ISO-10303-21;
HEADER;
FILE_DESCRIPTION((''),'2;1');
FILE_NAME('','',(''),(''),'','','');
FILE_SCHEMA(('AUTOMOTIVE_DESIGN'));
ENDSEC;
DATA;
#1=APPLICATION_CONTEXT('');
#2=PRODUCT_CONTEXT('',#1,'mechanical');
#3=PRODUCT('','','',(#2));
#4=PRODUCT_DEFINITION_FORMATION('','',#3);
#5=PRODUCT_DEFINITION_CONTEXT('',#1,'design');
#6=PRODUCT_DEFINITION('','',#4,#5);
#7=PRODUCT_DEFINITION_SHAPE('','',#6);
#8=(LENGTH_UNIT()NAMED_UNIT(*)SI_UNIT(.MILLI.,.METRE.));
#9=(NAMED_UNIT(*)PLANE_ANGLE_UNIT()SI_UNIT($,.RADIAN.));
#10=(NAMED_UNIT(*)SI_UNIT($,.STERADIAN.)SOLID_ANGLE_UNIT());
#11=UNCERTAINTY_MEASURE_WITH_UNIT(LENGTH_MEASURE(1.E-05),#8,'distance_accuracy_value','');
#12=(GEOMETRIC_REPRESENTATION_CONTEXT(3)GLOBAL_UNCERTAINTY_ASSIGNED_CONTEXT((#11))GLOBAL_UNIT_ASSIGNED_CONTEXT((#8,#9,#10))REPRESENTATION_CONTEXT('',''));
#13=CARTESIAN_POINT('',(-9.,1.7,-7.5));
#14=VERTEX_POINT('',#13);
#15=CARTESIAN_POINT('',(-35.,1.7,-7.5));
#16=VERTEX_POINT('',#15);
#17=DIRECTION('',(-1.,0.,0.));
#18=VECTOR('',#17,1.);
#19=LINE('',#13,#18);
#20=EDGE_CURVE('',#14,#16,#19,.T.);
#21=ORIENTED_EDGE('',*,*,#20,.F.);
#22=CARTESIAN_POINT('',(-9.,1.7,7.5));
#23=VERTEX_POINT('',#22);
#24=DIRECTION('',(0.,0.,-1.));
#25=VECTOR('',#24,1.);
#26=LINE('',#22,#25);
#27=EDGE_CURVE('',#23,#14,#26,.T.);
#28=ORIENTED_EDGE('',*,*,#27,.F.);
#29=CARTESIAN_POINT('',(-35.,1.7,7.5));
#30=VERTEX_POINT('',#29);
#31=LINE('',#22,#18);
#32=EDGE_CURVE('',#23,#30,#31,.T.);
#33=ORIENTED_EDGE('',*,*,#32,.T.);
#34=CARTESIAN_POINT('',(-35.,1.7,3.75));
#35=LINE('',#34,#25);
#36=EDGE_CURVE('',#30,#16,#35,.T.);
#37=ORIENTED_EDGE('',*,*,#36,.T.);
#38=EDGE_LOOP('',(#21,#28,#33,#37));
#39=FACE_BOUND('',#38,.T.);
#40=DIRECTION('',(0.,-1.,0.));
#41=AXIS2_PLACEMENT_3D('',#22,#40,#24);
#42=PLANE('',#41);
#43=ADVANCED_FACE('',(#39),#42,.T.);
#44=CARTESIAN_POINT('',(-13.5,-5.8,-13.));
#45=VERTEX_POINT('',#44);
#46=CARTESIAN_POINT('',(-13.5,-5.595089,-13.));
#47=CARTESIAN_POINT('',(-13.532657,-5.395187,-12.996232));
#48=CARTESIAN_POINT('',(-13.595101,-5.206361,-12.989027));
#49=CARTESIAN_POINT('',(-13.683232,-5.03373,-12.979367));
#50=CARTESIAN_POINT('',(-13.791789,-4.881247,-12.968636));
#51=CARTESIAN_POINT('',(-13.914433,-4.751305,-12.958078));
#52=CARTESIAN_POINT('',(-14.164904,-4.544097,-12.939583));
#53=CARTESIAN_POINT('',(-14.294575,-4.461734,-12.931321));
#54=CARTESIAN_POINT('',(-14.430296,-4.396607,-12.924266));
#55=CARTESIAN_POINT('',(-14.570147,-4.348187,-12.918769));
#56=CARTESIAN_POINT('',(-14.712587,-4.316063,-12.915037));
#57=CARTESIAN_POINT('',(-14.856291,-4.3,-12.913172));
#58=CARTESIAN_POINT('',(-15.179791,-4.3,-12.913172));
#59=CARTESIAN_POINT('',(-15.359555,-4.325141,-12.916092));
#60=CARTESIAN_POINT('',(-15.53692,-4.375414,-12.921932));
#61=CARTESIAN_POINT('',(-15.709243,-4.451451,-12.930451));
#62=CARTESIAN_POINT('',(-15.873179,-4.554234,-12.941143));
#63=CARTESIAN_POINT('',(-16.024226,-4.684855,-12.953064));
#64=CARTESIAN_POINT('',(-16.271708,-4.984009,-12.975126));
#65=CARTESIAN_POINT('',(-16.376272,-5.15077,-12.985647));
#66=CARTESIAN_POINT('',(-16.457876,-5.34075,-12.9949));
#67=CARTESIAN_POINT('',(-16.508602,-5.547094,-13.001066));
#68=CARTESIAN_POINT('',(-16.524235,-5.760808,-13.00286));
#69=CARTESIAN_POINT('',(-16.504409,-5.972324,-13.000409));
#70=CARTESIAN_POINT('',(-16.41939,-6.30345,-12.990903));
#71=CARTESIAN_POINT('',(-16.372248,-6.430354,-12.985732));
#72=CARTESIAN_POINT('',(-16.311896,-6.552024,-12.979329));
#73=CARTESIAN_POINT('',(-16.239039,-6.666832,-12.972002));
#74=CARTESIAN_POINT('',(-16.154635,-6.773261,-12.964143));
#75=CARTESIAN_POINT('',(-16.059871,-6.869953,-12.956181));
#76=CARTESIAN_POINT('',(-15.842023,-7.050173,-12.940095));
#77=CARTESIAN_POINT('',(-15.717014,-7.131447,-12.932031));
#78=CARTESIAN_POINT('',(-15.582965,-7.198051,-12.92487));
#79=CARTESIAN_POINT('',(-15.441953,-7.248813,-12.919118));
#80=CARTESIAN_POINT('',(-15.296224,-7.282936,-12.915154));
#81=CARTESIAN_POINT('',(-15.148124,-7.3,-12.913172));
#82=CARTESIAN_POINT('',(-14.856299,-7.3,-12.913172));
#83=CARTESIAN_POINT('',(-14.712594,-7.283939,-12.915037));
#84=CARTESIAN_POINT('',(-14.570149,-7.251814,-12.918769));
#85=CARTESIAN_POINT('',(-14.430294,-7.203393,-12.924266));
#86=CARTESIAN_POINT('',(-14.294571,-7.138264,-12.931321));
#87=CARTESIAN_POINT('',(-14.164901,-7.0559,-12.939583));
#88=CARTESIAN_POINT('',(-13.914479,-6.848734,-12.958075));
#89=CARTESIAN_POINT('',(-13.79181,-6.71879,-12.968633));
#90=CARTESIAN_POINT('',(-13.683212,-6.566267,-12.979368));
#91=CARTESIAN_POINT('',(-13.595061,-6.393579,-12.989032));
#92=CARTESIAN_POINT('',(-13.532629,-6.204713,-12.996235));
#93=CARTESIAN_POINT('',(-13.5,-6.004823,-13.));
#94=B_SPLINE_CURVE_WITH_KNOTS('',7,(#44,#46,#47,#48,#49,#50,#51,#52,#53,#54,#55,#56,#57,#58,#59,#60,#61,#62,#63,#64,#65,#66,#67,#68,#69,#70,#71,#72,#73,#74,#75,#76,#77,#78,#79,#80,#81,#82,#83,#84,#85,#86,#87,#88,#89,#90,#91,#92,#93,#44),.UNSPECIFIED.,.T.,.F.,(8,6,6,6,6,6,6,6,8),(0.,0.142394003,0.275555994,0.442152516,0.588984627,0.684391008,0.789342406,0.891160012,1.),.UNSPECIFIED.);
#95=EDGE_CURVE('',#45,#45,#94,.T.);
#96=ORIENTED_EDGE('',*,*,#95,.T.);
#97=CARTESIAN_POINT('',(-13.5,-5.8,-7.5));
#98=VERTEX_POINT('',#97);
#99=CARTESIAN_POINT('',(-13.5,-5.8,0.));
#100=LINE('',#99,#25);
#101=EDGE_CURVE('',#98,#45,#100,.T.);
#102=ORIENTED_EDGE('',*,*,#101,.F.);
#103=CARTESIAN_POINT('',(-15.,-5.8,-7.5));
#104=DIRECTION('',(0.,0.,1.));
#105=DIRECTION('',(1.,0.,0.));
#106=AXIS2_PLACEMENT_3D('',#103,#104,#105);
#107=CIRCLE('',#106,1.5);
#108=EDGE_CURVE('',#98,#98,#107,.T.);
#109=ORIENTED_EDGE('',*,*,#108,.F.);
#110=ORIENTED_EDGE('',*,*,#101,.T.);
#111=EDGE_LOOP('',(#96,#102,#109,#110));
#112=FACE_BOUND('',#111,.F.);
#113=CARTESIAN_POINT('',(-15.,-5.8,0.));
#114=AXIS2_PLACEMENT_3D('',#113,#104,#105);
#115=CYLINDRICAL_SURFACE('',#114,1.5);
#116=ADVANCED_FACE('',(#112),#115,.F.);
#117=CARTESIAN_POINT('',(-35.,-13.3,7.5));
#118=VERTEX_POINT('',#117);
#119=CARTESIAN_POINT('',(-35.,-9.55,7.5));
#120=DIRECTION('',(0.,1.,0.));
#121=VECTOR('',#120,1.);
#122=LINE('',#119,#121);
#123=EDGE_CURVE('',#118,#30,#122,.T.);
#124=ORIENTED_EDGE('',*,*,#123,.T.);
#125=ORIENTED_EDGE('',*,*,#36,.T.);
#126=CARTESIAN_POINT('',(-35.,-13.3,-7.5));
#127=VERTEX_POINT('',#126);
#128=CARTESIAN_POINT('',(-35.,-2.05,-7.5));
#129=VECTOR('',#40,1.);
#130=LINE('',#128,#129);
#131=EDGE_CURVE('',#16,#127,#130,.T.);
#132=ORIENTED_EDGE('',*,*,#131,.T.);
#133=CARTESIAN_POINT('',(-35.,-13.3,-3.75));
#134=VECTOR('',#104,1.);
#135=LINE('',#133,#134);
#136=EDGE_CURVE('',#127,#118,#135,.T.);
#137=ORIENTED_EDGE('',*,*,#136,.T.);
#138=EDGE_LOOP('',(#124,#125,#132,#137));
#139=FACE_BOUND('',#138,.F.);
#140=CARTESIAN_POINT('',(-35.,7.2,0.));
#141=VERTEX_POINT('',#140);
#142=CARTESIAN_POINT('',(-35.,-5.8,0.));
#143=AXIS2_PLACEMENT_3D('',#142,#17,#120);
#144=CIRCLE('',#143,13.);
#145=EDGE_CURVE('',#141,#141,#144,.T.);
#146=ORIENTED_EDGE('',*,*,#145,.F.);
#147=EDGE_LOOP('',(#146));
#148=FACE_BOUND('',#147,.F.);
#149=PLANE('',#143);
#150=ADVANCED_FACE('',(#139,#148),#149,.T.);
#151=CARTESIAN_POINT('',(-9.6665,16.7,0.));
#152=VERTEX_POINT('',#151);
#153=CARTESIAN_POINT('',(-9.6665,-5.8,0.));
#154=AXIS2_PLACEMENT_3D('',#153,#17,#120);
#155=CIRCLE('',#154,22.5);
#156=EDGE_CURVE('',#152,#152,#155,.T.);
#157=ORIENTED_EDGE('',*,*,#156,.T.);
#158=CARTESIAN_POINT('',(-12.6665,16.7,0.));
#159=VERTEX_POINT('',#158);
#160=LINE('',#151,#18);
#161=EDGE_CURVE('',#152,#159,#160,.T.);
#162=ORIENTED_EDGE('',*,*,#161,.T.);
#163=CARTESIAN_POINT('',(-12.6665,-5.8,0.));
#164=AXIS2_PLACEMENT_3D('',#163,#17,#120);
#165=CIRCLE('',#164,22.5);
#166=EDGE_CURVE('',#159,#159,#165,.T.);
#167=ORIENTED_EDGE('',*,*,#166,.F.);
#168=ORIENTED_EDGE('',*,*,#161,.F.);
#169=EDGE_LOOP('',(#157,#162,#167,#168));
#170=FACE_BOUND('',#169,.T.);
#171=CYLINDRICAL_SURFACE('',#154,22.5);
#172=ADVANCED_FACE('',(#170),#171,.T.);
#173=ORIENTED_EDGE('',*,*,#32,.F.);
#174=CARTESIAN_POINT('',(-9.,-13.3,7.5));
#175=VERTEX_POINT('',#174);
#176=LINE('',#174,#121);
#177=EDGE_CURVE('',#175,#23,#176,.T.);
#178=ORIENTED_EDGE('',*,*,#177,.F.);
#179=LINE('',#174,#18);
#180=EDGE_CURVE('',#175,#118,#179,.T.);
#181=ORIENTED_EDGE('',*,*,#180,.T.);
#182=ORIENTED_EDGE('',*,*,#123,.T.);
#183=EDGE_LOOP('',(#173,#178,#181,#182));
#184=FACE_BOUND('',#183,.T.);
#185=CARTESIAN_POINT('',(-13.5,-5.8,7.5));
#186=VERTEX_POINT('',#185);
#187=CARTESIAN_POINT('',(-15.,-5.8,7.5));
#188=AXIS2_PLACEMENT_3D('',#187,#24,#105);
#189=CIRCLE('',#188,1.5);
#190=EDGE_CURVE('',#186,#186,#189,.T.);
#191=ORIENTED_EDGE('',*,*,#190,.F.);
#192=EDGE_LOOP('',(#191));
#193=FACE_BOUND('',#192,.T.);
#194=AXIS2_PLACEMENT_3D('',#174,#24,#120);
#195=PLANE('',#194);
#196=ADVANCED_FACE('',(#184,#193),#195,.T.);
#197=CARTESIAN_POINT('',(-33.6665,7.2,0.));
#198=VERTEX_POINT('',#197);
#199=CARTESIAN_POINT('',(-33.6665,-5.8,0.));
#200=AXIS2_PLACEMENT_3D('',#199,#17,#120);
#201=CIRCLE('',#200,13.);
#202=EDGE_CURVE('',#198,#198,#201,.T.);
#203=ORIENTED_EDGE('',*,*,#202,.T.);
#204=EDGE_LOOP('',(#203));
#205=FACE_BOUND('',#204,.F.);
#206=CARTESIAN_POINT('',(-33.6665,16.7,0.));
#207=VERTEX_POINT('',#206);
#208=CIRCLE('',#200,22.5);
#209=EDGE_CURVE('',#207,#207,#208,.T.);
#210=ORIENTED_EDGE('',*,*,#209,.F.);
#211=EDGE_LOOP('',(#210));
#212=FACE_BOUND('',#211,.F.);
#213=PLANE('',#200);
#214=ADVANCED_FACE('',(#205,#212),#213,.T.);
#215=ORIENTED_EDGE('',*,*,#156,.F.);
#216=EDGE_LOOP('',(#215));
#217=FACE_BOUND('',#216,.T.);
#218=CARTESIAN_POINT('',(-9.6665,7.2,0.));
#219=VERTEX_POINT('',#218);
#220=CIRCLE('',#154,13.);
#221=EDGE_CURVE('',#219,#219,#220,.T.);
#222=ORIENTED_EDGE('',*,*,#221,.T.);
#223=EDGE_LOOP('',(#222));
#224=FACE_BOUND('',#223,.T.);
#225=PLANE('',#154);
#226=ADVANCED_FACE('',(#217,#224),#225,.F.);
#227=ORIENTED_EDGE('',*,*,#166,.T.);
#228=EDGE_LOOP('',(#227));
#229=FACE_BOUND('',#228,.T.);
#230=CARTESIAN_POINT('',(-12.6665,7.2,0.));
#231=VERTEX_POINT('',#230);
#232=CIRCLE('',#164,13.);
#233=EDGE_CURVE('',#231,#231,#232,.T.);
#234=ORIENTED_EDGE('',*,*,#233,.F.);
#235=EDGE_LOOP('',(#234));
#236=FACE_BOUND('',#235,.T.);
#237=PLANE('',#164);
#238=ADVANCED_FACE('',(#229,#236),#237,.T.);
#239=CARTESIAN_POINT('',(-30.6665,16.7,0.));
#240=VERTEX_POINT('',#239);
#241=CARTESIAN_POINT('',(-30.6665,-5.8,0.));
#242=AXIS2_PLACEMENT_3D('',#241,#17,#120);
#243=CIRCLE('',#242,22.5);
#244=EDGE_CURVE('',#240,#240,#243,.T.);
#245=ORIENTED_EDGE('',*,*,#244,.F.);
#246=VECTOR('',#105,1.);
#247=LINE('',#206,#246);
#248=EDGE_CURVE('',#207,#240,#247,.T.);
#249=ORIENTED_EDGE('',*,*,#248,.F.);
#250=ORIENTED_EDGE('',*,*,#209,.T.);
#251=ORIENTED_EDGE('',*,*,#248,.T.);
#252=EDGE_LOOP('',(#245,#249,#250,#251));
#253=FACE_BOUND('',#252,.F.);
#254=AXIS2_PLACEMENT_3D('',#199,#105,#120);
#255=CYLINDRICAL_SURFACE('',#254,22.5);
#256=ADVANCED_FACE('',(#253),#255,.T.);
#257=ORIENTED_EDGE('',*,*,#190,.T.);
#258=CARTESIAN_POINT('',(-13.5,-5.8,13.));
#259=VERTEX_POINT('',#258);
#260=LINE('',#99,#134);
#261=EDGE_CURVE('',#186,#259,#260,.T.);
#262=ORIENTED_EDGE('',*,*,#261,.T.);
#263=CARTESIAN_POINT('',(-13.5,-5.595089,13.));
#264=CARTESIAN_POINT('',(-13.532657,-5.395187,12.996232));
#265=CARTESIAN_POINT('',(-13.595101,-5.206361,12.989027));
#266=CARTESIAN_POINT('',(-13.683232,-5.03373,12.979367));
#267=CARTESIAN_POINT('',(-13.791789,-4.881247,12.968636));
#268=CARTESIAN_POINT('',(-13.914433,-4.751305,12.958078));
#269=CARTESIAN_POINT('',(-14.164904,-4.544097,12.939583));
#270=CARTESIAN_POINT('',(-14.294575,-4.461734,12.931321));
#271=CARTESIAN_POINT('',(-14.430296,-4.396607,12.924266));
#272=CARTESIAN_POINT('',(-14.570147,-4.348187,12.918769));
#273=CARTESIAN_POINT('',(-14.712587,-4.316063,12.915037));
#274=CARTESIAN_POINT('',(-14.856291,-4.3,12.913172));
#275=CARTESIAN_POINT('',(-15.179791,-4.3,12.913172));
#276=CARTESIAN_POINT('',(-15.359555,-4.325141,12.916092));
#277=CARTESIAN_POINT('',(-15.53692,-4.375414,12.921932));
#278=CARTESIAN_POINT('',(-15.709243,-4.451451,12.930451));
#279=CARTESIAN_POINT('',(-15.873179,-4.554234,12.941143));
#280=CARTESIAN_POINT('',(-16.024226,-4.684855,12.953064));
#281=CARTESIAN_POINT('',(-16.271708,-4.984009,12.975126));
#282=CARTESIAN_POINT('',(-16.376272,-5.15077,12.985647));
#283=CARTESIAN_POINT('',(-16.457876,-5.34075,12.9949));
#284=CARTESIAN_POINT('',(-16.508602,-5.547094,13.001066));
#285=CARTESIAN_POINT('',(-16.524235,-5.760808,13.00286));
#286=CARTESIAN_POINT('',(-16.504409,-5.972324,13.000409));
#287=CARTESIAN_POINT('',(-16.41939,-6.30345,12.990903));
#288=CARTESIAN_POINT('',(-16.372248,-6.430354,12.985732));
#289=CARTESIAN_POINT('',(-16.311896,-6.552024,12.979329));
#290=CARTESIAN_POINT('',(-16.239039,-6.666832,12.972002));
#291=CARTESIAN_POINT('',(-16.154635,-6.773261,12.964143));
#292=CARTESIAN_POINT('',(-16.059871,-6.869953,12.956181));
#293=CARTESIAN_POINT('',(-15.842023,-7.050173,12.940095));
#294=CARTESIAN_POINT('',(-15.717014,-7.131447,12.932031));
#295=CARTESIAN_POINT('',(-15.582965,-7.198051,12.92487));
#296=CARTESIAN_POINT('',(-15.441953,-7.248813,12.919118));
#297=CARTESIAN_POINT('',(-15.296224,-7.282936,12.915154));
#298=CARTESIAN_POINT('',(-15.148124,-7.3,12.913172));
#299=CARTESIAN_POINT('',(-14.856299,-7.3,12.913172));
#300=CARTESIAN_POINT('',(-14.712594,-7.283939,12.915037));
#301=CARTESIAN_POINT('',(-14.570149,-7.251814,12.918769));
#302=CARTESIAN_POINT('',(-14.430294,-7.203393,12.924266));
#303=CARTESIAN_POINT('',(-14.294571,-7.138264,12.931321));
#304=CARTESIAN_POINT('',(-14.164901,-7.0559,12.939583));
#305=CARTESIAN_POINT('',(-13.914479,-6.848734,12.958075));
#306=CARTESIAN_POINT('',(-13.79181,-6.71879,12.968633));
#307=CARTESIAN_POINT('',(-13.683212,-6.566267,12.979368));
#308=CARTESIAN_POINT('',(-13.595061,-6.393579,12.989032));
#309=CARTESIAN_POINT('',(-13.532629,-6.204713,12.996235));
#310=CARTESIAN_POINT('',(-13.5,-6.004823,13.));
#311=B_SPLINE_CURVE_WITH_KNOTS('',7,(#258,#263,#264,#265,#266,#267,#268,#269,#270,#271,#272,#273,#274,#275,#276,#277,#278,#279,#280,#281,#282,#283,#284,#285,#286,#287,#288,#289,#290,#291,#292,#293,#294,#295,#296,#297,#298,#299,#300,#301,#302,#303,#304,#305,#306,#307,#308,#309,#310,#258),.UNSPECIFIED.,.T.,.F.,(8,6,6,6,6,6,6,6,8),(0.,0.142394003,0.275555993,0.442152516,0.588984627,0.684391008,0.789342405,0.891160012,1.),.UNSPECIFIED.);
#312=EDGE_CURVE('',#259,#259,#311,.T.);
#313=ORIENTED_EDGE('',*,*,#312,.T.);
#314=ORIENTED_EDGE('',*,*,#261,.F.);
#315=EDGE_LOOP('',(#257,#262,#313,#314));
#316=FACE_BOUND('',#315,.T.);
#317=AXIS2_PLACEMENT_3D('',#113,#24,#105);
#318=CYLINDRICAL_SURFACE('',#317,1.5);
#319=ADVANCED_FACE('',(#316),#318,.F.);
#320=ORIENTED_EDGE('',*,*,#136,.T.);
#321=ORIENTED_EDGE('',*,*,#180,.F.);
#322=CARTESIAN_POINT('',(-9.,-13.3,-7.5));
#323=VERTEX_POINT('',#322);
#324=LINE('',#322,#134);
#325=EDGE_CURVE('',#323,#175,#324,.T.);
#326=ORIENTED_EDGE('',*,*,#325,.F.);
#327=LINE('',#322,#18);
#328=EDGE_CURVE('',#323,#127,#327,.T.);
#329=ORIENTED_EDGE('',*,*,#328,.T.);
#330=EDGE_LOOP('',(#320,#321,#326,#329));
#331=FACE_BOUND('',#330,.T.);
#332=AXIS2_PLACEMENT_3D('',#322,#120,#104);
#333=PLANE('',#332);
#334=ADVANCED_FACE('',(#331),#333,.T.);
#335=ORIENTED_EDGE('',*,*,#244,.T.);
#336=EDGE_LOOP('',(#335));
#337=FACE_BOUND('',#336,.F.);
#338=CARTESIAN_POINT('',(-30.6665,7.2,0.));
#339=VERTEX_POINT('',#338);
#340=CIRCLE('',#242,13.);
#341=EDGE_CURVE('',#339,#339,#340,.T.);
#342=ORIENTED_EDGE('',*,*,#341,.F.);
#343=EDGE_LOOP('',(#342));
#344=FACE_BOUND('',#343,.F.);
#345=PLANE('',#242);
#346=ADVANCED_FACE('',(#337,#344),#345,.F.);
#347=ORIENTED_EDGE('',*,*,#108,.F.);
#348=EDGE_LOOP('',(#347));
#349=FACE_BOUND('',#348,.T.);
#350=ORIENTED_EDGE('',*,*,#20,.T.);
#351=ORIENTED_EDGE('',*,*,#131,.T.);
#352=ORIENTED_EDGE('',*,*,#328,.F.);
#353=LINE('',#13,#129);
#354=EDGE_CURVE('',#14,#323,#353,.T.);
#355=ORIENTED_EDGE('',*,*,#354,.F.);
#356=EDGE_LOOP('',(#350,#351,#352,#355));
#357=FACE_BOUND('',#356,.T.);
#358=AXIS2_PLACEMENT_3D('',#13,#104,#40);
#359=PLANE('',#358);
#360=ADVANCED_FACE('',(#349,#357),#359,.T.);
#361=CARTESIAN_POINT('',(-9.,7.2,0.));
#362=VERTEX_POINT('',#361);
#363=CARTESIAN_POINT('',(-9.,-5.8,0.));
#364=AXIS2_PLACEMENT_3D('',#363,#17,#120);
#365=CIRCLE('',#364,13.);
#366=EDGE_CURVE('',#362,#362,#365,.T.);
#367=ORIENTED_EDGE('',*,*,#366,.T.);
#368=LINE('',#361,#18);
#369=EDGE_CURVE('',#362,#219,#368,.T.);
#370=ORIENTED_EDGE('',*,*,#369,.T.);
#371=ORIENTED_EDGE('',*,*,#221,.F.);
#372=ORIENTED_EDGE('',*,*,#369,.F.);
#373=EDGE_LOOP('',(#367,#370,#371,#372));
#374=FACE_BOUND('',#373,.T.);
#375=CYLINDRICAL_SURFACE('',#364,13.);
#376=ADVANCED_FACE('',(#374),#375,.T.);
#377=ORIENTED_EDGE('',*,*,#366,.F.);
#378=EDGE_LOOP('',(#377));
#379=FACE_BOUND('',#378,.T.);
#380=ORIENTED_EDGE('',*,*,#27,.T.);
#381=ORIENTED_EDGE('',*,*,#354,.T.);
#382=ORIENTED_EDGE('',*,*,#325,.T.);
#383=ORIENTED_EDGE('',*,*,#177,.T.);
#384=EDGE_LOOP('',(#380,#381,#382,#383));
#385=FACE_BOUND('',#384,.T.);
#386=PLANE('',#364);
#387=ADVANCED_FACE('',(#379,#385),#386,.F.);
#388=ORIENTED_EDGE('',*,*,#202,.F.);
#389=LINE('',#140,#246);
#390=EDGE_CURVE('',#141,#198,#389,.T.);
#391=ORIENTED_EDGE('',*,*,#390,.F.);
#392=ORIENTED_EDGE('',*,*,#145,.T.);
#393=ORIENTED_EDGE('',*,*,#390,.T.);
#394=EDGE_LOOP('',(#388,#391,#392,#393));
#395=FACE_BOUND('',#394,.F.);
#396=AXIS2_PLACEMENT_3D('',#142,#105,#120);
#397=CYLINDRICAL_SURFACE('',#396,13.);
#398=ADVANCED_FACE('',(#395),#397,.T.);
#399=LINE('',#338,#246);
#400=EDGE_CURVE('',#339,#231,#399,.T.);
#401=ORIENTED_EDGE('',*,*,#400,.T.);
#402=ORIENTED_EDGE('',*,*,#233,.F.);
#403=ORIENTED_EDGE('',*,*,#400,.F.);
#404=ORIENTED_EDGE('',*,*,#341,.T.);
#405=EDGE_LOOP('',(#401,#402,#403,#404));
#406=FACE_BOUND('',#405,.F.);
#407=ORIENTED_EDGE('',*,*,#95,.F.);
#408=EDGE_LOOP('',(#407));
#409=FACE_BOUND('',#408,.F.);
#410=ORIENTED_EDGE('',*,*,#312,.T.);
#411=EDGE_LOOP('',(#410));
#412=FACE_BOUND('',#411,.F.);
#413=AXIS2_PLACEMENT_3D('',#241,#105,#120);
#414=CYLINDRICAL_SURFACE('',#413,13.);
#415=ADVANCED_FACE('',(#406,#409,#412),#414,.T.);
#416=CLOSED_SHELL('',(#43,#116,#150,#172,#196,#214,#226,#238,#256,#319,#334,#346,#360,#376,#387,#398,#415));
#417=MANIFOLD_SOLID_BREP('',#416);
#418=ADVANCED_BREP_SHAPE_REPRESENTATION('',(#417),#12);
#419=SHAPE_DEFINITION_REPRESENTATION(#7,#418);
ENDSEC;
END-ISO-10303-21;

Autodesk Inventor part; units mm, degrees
ref_plane "YZ Plane" through (0, 0, 0) normal (1, 0, 0) x (0, 1, 0)
ref_plane "XZ Plane" through (0, 0, 0) normal (0, 1, 0) x (-1, 0, 0)
ref_plane "XY Plane" through (0, 0, 0) normal (0, 0, 1) x (1, 0, 0)
sketch "Sketch1" plane through (0, 0, 0) normal (0, 0, 1) x (1, 0, 0)
  line L0 (-9, 0) -> (-9, 7.2)
  line L1 (-9, 7.2) -> (-9.6665, 7.2)
  line L2 (-9.6665, 7.2) -> (-9.6665, 16.7)
  line L3 (-9.6665, 16.7) -> (-12.6665, 16.7)
  line L4 (-12.6665, 16.7) -> (-12.6665, 9.4)
  line L5 (-35, 0) -> (-35, 7.2)
  line L6 (-35, 7.2) -> (-33.6665, 7.2)
  line L7 (-33.6665, 7.2) -> (-33.6665, 16.7)
  line L8 (-33.6665, 16.7) -> (-30.6665, 16.7)
  line L9 (-30.6665, 16.7) -> (-30.6665, 7.2)
  line L10 (-41.0656, -5.8) -> (-47.8962, -5.8)
  line L11 (-12.6665, 9.4) -> (-12.6665, 7.2)
  line L12 (-30.6665, 7.2) -> (-12.6665, 7.2)
  line L13 (-35, 0) -> (-35, -5.8)
  line L14 (-9, 0) -> (-9, -5.8)
  line L15 (-9, -5.8) -> (-35, -5.8)
  circle A0 centre (-15, -5.8) radius 1.5
  point P0 (0, 0)
  point P1 (-16.5, -5.8)
  point P2 (-13.5, -5.8)
  dimension "d5" = 3
  dimension "d6" = 45
  dimension "d7" = 26
  dimension "d9" = 3
  dimension "d11" = 18
  dimension "d12" = 26
revolve "Revolution1" add sketch "Sketch1" angle 360 about axis through (-41.0656, -5.8, 0) along (-1, 0, 0) contours L14 L15 A0 L13 L5 L6 L7 L8 L9 L12 L11 L4 L3 L2 L1 L0
sketch "Sketch2" plane through (-9, -5.8, 0) normal (1, 0, 0) x (0, 0, -1)
  line L0 (7.5, -7.5) -> (-7.5, -7.5)
  line L1 (-7.5, -7.5) -> (-7.5, 7.5)
  line L2 (-7.5, 7.5) -> (7.5, 7.5)
  line L3 (7.5, 7.5) -> (7.5, -7.5)
  line L4 (7.5, -7.5) -> (-7.5, 7.5) construction
  line L5 (-7.5, -7.5) -> (7.5, 7.5) construction
  point P0 (0, 5.8)
  point P1 (0, 0)
  dimension "d14" = 15
  dimension "d15" = 15
extrude "Extrusion1" cut sketch "Sketch2" against normal blind 100
extrude "Extrusion2" cut sketch "Sketch1" along normal mid plane 100 contours A0 L15 | L15 A0
